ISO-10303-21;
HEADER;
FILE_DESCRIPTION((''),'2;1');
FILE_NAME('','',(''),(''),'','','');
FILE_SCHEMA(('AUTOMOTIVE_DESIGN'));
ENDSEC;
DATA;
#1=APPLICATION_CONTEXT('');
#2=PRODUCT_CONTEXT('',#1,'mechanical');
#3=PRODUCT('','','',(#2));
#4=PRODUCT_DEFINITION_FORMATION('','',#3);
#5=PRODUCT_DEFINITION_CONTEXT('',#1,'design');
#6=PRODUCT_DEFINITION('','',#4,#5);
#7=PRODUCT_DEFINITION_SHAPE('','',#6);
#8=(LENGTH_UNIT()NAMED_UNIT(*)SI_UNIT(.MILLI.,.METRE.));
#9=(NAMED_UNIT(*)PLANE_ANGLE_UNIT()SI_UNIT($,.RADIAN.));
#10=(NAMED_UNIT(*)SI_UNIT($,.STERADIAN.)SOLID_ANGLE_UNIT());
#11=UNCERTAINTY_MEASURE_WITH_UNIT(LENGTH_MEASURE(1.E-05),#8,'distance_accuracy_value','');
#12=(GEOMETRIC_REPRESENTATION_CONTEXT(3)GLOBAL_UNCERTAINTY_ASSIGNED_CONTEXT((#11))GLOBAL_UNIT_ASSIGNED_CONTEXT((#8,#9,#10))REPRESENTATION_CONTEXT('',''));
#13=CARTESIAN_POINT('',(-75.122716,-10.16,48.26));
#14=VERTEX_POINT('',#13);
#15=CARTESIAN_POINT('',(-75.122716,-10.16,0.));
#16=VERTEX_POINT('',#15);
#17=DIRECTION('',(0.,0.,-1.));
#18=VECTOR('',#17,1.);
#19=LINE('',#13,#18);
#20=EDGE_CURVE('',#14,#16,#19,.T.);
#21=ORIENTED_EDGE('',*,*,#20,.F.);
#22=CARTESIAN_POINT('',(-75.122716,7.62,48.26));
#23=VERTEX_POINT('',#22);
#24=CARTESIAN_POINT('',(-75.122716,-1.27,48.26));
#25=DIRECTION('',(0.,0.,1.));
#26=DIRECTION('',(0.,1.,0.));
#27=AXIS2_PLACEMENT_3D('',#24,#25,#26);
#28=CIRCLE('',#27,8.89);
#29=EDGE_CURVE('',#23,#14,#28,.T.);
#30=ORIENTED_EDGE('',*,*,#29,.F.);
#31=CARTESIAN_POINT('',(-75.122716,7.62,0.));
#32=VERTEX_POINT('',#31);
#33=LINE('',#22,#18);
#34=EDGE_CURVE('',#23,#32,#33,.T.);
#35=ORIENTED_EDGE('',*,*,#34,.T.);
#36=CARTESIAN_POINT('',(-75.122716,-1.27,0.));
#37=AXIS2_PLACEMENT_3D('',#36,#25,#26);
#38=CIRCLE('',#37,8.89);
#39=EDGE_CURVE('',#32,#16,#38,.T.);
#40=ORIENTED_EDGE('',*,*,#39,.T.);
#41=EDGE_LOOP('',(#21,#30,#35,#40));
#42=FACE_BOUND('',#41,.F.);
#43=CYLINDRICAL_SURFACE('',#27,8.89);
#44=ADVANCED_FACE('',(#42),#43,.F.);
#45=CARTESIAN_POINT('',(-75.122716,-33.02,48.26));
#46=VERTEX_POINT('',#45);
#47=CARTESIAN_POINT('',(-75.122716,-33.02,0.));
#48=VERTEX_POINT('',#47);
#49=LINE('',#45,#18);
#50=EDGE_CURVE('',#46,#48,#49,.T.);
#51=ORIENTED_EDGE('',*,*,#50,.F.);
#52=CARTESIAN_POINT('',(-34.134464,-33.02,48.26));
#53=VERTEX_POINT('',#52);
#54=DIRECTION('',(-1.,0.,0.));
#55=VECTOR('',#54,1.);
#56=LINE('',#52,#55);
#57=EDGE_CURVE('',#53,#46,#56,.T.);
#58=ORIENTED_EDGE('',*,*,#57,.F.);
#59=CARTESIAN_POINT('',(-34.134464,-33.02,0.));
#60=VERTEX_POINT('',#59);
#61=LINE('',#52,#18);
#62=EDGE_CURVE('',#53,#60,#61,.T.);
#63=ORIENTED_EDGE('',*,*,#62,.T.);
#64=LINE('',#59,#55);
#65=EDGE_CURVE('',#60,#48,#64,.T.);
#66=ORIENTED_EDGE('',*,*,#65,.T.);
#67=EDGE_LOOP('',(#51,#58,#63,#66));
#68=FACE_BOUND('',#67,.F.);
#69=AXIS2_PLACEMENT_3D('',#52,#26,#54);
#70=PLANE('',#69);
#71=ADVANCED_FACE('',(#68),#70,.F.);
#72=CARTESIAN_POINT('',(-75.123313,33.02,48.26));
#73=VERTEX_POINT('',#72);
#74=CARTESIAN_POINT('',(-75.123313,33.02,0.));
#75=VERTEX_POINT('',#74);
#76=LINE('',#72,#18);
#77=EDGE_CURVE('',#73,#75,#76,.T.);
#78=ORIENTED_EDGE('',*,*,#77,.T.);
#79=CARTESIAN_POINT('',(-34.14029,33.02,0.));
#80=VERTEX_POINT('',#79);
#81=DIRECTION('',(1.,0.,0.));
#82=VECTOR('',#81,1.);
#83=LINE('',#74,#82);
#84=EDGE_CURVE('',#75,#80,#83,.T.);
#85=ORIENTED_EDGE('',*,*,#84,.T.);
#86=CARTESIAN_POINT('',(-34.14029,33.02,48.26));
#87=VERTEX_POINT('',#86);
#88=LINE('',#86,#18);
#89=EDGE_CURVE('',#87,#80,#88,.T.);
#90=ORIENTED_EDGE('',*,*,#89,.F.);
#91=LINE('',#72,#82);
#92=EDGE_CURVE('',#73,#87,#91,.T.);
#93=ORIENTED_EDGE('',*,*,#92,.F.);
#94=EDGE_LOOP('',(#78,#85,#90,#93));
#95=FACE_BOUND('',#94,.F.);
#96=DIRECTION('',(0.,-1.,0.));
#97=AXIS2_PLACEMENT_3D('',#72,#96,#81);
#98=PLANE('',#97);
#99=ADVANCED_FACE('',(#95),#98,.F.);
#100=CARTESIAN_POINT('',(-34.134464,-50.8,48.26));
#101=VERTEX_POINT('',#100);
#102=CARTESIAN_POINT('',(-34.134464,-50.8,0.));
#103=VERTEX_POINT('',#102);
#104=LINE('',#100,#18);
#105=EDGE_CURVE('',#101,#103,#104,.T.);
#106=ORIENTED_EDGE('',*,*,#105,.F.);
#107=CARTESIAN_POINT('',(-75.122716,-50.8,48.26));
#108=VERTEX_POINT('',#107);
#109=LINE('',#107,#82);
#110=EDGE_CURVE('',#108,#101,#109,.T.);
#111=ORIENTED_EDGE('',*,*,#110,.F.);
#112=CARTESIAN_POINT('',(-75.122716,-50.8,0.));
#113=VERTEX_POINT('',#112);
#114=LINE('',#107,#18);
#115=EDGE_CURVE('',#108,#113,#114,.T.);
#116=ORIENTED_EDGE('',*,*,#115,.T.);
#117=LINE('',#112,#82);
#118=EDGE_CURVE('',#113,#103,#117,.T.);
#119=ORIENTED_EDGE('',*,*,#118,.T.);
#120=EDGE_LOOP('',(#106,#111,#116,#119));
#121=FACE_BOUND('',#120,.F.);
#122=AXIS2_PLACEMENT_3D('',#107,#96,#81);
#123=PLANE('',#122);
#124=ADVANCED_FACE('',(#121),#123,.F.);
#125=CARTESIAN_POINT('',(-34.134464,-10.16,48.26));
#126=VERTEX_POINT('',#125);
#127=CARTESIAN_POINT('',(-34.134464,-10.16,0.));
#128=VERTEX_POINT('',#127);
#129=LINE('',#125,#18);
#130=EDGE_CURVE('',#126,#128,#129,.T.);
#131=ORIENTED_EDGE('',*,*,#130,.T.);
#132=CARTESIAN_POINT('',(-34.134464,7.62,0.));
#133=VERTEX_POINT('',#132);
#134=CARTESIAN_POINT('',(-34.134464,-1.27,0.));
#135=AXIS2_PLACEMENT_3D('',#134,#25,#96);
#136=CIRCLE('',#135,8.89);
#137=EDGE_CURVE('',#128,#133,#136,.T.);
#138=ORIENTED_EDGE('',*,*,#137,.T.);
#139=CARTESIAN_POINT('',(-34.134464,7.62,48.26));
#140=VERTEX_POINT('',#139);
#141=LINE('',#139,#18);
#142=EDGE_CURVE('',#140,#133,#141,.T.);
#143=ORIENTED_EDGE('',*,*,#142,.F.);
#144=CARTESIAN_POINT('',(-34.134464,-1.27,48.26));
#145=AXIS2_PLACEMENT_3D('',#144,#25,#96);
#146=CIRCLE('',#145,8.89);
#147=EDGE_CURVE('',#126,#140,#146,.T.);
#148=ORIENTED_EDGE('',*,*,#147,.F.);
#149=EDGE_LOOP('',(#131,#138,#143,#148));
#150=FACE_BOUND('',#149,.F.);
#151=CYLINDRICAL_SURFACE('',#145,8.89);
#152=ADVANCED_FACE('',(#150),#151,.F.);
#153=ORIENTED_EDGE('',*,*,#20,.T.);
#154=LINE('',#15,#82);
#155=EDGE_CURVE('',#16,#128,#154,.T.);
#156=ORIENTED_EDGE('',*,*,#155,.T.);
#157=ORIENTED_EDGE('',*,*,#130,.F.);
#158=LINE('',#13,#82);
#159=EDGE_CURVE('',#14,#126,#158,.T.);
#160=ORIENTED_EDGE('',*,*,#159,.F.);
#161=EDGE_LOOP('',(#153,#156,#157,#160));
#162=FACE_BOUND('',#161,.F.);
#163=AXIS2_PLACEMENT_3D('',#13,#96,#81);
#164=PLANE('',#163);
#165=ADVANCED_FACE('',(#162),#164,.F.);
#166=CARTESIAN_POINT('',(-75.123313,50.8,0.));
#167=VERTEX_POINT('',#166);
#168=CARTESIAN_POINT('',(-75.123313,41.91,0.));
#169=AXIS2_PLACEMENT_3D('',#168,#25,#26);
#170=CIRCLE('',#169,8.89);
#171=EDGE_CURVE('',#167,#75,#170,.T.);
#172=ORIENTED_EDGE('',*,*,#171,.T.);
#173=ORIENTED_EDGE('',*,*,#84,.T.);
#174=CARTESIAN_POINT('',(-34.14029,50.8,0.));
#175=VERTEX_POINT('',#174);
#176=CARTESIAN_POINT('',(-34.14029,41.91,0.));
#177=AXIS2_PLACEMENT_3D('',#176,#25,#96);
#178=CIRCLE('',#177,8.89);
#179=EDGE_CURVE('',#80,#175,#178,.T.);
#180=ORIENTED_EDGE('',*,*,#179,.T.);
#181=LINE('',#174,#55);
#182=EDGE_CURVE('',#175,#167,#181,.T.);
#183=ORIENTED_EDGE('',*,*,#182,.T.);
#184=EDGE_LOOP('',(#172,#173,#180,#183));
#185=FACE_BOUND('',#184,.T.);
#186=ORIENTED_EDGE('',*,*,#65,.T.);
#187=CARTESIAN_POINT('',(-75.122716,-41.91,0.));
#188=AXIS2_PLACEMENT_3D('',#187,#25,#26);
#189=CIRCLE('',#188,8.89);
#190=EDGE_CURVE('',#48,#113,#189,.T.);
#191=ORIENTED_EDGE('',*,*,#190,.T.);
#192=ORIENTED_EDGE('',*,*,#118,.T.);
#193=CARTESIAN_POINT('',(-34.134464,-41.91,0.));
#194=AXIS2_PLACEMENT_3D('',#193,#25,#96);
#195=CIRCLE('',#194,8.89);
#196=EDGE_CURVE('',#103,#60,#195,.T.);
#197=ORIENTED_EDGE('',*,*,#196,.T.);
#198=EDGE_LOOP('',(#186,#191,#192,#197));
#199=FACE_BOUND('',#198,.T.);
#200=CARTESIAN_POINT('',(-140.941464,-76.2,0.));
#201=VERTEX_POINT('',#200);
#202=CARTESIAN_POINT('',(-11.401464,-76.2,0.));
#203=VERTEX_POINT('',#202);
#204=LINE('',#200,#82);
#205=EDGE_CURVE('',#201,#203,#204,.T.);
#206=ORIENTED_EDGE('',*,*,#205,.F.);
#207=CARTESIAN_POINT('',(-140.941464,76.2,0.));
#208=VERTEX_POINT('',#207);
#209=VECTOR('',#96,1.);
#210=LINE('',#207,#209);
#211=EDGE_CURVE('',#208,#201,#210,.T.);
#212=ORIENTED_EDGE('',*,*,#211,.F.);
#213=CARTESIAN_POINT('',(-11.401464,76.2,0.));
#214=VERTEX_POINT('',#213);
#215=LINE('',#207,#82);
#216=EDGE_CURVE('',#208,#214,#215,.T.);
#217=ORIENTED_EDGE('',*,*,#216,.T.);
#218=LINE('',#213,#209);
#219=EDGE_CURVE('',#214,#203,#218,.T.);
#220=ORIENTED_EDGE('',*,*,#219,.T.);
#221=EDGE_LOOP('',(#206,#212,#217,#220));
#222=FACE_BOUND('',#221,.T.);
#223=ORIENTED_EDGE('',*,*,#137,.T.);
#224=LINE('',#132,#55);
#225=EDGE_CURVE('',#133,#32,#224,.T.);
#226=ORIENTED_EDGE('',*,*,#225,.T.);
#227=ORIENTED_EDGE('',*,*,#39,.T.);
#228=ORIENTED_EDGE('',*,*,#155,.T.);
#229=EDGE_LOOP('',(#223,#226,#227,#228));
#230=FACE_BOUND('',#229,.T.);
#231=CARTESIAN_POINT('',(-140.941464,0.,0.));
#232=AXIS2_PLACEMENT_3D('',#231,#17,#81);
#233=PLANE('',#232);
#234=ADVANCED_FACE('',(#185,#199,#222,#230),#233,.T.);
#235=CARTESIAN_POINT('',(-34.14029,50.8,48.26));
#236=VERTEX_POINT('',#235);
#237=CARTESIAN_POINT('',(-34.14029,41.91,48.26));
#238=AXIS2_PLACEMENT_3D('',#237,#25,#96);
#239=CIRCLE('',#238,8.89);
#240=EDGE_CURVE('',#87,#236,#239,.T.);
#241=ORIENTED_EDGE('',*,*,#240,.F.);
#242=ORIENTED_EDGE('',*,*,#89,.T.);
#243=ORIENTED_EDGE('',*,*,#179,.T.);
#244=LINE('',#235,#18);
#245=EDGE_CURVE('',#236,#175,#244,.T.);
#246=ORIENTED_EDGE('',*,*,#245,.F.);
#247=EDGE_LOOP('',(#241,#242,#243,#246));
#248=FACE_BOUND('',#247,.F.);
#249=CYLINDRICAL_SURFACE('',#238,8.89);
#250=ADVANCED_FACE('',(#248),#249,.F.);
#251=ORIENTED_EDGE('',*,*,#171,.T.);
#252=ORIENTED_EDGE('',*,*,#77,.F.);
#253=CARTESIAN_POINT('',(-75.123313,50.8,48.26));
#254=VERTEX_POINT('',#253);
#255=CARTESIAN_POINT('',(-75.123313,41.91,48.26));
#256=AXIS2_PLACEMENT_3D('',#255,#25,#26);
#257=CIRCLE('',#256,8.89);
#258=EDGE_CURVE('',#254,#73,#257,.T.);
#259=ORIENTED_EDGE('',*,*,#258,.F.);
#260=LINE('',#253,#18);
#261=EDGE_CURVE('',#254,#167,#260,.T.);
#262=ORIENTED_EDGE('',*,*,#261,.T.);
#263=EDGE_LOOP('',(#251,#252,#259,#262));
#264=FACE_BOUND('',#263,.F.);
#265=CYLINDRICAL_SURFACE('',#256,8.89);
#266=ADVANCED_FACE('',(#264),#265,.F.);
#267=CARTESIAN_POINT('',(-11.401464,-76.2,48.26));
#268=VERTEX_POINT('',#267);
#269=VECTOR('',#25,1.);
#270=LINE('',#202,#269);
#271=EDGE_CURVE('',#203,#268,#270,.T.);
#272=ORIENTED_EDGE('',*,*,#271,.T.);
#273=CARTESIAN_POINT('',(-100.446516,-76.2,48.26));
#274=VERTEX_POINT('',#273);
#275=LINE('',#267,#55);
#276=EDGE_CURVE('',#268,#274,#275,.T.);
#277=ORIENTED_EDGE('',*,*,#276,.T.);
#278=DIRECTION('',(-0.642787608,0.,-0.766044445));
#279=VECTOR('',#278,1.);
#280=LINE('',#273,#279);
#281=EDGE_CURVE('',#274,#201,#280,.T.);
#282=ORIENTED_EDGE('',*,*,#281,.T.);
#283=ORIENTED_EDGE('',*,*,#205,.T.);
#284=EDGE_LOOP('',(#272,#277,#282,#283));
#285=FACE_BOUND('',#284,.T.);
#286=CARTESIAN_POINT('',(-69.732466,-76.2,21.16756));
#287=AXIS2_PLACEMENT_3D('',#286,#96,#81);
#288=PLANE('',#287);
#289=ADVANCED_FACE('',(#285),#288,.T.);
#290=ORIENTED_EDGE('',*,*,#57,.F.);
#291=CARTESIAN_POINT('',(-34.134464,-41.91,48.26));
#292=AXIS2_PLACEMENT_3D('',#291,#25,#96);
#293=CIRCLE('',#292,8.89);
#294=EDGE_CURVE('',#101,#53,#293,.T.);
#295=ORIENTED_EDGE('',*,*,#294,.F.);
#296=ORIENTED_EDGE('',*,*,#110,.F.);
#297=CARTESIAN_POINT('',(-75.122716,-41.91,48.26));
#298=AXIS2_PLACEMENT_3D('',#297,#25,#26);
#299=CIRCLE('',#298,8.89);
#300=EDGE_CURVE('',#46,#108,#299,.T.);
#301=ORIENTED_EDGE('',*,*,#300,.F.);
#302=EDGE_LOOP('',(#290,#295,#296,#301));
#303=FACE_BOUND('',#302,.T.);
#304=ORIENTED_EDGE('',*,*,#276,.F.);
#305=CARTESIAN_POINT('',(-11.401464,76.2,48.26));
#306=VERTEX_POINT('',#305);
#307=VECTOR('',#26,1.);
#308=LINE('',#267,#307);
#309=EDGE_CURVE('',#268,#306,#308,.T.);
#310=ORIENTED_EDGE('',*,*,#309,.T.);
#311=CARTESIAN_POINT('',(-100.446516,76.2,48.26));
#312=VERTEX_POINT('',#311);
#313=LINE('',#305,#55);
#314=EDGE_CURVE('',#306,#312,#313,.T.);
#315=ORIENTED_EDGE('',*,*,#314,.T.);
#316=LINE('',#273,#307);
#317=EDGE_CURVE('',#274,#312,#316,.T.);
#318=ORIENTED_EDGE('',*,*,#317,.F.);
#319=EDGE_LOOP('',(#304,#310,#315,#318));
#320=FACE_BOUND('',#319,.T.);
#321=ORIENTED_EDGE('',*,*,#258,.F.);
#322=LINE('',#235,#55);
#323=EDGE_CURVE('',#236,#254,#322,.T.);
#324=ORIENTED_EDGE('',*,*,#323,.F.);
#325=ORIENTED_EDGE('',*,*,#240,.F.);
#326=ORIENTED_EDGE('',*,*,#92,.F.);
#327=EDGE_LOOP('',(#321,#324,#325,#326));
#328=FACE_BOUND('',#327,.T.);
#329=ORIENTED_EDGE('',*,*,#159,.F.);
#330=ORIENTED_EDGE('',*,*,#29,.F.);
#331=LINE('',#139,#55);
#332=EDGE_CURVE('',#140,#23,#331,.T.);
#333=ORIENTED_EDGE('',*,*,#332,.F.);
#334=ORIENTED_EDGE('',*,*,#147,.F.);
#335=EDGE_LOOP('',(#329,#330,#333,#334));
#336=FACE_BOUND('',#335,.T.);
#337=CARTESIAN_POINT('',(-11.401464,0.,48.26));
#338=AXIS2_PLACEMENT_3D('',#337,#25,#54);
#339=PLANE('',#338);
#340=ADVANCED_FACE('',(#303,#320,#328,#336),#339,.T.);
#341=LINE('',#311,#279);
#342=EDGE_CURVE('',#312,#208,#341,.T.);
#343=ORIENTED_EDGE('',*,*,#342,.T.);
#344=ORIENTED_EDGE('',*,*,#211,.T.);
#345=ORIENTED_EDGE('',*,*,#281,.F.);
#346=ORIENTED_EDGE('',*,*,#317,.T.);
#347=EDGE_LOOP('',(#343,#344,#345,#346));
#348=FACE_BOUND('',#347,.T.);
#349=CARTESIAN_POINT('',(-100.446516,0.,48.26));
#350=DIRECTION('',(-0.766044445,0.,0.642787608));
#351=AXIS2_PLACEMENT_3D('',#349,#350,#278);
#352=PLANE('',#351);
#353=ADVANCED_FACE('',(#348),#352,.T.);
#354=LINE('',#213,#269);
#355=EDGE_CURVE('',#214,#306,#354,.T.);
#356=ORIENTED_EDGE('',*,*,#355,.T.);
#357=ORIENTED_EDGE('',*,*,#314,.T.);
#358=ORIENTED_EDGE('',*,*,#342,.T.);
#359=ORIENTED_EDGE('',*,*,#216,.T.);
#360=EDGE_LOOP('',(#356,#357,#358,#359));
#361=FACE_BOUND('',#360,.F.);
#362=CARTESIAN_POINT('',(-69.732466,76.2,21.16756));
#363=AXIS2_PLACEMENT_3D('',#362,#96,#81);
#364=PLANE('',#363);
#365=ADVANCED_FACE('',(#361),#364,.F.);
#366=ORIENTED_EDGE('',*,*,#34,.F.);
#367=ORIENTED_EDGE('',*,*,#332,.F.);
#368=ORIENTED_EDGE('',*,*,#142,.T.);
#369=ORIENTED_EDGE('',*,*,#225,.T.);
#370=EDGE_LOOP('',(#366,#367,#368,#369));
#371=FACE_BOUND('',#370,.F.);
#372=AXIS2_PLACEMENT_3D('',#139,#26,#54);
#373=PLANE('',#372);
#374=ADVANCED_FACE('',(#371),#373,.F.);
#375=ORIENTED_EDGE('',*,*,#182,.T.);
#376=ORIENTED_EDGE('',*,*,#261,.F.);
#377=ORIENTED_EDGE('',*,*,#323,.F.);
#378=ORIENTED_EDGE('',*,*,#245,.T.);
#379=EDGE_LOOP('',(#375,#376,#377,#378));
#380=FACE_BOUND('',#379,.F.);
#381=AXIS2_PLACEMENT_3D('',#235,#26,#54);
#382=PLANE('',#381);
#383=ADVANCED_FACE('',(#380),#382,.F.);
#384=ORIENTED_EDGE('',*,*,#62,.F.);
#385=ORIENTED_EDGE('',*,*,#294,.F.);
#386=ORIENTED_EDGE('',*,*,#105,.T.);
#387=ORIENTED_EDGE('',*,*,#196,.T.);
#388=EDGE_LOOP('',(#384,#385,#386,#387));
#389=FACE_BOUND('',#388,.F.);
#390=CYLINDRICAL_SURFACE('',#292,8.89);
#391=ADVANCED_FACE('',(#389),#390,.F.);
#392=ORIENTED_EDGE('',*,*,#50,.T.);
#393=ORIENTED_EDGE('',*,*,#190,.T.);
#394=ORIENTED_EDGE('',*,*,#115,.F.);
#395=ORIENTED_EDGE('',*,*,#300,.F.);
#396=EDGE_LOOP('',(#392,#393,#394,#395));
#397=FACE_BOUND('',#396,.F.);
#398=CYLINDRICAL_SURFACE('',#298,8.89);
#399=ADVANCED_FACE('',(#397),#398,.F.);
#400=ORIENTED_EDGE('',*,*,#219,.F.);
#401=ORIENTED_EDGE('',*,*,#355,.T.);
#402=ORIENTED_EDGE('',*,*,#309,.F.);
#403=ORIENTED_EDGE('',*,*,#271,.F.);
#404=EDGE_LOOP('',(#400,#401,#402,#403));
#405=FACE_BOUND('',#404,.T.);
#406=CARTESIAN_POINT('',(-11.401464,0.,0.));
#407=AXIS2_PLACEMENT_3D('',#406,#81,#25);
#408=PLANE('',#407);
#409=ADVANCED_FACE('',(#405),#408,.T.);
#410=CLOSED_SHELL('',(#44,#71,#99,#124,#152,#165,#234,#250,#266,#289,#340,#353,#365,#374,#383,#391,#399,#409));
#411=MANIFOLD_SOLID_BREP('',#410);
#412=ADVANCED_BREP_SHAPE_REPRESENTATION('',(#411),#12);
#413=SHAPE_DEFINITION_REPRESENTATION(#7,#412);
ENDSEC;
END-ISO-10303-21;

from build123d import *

# Parameters (mm, degrees)
F1_DEPTH = 76.2
F4_DEPTH = 48.26


with BuildPart() as f1:
    # F0 (on Front) → F1 (new body, symmetric)
    with BuildSketch(Plane.XZ):
        Polygon((-100.446516, 48.26), (-140.941464, 0), (-11.401464, 0), (-11.401464, 48.26), align=None)
    extrude(amount=F1_DEPTH, both=True)

    # F3 (on face) + F2 (on face) → F4 (cut)
    with BuildSketch(Plane.XY.offset(48.26)):
        with BuildLine():
            ThreePointArc((-34.14029, 33.02), (-25.25029, 41.91), (-34.14029, 50.8))
            Line((-34.14029, 50.8), (-75.123313, 50.8))
            ThreePointArc((-75.123313, 50.8), (-84.013313, 41.91), (-75.123313, 33.02))
            Line((-75.123313, 33.02), (-34.14029, 33.02))
        make_face()
    with BuildSketch(Plane.XY.offset(48.26)):
        with BuildLine():
            Line((-34.134464, 7.62), (-75.122716, 7.62))
            ThreePointArc((-75.122716, 7.62), (-84.012716, -1.27), (-75.122716, -10.16))
            Line((-75.122716, -10.16), (-34.134464, -10.16))
            ThreePointArc((-34.134464, -10.16), (-25.244464, -1.27), (-34.134464, 7.62))
        make_face()
        with BuildLine():
            Line((-34.134464, -33.02), (-75.122716, -33.02))
            ThreePointArc((-75.122716, -33.02), (-84.012716, -41.91), (-75.122716, -50.8))
            Line((-75.122716, -50.8), (-34.134464, -50.8))
            ThreePointArc((-34.134464, -50.8), (-25.244464, -41.91), (-34.134464, -33.02))
        make_face()
    extrude(amount=-F4_DEPTH, mode=Mode.SUBTRACT)


solid = f1.part
